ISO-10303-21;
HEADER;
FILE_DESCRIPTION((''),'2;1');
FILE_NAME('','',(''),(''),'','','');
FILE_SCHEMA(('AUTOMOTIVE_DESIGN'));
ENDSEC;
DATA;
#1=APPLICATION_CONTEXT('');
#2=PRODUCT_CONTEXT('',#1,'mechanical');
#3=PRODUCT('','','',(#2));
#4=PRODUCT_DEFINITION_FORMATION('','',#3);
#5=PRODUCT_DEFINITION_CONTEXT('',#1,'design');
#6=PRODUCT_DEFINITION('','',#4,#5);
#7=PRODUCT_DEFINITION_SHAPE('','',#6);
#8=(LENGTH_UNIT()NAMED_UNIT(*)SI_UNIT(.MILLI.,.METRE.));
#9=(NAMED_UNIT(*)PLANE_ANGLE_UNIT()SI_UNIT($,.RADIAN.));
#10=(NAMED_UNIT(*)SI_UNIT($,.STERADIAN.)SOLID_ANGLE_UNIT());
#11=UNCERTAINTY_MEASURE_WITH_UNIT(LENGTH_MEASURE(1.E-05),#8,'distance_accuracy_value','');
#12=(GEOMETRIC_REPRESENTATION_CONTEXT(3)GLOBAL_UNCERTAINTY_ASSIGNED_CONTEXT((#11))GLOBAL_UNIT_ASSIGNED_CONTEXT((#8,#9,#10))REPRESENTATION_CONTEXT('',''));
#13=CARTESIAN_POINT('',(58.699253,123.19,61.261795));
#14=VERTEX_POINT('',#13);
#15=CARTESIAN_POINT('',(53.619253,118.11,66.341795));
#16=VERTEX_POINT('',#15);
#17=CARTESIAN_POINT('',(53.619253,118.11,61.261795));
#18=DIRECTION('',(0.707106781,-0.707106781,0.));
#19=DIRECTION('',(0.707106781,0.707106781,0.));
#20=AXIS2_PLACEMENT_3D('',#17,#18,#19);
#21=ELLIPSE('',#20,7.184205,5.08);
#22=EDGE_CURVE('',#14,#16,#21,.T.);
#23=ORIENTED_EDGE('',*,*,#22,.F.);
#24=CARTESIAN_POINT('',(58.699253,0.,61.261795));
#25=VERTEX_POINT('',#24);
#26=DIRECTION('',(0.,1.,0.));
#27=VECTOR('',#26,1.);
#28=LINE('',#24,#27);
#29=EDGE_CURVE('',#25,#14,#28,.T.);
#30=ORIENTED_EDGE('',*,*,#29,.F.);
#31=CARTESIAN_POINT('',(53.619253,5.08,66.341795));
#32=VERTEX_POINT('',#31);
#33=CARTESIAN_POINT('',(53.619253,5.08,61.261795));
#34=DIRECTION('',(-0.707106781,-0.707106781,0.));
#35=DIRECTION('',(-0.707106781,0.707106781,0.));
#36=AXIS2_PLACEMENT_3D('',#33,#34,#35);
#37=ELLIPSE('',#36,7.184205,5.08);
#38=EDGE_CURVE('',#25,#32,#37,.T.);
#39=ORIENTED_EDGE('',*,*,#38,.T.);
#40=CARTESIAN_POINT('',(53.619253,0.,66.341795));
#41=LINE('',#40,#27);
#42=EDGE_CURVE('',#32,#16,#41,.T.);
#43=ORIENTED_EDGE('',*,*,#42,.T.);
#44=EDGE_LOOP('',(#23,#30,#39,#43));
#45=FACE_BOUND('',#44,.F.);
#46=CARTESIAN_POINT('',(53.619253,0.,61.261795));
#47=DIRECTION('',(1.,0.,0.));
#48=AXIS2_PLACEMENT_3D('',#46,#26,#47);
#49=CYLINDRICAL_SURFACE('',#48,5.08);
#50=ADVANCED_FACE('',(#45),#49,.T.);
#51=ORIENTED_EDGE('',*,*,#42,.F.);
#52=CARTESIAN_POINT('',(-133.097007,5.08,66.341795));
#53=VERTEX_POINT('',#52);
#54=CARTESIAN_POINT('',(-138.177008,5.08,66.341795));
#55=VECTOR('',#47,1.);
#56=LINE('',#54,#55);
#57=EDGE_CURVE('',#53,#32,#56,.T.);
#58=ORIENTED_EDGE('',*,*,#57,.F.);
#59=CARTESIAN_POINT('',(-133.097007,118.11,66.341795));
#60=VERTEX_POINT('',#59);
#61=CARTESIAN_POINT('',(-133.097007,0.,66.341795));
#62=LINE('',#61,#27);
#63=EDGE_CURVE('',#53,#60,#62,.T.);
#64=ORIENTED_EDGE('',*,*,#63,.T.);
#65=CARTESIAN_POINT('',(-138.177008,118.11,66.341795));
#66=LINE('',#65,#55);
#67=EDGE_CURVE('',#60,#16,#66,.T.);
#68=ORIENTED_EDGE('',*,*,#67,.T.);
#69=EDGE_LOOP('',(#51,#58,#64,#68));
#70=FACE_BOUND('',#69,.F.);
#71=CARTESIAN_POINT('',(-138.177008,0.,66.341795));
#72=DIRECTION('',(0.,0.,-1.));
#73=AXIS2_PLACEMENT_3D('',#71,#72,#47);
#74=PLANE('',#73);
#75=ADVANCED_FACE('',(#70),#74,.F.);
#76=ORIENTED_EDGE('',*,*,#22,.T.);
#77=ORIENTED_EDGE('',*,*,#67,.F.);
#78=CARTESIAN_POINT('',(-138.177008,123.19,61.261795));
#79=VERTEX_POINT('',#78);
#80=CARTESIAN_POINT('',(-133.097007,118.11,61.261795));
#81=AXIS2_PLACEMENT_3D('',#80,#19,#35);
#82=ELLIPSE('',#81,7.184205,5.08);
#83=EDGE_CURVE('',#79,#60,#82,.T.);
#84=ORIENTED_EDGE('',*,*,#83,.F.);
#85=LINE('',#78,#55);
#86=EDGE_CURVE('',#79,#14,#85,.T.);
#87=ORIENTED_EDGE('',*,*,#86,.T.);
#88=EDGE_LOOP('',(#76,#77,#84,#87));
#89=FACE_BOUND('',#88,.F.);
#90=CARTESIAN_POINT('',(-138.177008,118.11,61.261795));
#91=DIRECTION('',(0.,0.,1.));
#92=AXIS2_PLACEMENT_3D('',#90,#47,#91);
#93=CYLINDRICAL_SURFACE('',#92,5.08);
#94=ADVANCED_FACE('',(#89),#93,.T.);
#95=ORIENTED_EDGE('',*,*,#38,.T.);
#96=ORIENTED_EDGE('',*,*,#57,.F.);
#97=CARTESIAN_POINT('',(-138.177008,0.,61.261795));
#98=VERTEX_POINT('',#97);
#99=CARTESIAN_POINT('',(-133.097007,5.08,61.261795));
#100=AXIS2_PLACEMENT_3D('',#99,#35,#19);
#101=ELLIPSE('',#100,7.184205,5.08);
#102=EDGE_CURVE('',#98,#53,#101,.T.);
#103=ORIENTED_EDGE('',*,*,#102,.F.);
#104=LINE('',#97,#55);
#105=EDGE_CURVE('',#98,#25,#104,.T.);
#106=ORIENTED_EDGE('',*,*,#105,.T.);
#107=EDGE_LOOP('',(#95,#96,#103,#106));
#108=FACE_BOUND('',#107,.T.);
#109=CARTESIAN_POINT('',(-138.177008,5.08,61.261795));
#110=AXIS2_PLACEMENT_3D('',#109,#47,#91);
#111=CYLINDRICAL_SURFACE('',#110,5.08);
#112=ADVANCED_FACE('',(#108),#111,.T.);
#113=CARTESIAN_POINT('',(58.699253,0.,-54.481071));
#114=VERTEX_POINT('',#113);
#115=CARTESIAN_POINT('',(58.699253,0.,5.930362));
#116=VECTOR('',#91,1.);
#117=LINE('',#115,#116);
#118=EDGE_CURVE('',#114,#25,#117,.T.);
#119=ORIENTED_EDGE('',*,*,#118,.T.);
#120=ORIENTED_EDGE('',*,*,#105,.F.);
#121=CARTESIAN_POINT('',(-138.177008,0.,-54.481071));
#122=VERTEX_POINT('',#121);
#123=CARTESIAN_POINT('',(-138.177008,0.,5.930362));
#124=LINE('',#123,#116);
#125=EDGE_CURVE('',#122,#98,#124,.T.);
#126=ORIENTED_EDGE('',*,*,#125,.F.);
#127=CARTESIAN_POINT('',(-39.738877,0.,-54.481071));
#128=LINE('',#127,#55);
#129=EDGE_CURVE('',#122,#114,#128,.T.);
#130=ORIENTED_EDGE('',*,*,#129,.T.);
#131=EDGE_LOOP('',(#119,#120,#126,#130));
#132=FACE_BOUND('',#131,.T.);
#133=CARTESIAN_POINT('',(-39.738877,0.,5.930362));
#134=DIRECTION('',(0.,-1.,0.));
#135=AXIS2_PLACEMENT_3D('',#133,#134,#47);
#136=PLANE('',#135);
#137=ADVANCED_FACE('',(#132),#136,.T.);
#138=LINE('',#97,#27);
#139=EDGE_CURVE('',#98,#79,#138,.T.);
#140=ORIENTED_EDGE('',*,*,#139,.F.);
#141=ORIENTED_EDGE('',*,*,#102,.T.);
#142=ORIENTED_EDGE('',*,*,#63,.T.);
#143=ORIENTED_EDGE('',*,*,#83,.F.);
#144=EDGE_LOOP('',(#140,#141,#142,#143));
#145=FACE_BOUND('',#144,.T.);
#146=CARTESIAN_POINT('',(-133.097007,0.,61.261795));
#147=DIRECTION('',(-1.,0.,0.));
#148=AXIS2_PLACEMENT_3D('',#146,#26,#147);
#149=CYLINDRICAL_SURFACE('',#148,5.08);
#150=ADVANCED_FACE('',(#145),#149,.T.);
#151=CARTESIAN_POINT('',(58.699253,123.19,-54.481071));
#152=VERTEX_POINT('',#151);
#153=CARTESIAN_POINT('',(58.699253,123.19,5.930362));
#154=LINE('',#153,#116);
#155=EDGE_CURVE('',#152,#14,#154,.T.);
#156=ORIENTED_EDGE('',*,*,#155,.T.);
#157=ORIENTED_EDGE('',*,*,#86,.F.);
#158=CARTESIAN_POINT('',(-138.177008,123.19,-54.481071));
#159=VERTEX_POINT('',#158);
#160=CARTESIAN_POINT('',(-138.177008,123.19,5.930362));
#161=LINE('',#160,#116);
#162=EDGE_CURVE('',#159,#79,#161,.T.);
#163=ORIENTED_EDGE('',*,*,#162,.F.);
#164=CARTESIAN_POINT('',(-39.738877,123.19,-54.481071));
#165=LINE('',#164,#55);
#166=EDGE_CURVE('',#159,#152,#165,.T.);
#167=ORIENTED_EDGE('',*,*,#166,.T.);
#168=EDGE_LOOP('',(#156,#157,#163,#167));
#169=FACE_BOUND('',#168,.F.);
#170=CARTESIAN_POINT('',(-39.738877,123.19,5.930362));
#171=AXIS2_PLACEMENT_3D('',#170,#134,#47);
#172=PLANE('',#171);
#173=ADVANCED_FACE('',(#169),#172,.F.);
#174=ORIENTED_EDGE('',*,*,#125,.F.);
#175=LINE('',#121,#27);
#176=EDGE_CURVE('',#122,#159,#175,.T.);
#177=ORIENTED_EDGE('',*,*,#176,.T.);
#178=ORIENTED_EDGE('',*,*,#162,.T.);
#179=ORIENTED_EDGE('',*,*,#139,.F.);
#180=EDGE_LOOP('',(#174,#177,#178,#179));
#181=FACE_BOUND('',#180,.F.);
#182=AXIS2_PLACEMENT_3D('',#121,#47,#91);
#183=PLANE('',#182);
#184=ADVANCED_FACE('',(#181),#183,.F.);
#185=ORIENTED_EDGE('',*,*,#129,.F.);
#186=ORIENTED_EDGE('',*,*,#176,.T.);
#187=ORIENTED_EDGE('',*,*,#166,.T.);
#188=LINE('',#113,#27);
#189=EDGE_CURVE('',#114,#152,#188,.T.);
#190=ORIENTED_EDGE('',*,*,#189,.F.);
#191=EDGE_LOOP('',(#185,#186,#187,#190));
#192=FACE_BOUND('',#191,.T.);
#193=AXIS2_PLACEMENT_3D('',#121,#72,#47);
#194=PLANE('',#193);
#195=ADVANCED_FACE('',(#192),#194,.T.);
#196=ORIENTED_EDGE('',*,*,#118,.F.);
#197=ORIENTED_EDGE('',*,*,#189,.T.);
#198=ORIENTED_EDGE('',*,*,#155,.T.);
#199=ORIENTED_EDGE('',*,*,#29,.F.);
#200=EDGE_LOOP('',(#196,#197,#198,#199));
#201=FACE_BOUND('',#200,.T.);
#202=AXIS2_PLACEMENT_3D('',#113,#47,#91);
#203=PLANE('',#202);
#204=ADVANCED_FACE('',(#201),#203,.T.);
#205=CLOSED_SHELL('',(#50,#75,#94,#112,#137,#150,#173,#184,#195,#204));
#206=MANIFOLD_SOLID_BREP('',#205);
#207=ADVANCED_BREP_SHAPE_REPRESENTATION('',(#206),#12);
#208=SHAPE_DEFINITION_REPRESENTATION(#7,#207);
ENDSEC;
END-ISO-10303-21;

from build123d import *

# Parameters (mm, degrees)
F0_W     = 196.876261
F0_H     = 120.822865
F1_DEPTH = 123.19
F2_R     = 5.08


with BuildPart() as f1:
    # F0 (on Front) → F1 (new body)
    with BuildSketch(Plane.XZ):
        with Locations((-39.738877, 5.930362)):
            Rectangle(F0_W, F0_H)
    extrude(amount=-F1_DEPTH)

    # F2
    f2_edges = [f1.edges().sort_by_distance(p)[0] for p in [
        (58.699254, 61.595, 66.341795),
        (-138.177007, 61.595, 66.341795),
        (-39.738877, 0, 66.341795),
        (-39.738877, 123.19, 66.341795),
    ]]
    fillet(f2_edges, radius=F2_R)


solid = f1.part
